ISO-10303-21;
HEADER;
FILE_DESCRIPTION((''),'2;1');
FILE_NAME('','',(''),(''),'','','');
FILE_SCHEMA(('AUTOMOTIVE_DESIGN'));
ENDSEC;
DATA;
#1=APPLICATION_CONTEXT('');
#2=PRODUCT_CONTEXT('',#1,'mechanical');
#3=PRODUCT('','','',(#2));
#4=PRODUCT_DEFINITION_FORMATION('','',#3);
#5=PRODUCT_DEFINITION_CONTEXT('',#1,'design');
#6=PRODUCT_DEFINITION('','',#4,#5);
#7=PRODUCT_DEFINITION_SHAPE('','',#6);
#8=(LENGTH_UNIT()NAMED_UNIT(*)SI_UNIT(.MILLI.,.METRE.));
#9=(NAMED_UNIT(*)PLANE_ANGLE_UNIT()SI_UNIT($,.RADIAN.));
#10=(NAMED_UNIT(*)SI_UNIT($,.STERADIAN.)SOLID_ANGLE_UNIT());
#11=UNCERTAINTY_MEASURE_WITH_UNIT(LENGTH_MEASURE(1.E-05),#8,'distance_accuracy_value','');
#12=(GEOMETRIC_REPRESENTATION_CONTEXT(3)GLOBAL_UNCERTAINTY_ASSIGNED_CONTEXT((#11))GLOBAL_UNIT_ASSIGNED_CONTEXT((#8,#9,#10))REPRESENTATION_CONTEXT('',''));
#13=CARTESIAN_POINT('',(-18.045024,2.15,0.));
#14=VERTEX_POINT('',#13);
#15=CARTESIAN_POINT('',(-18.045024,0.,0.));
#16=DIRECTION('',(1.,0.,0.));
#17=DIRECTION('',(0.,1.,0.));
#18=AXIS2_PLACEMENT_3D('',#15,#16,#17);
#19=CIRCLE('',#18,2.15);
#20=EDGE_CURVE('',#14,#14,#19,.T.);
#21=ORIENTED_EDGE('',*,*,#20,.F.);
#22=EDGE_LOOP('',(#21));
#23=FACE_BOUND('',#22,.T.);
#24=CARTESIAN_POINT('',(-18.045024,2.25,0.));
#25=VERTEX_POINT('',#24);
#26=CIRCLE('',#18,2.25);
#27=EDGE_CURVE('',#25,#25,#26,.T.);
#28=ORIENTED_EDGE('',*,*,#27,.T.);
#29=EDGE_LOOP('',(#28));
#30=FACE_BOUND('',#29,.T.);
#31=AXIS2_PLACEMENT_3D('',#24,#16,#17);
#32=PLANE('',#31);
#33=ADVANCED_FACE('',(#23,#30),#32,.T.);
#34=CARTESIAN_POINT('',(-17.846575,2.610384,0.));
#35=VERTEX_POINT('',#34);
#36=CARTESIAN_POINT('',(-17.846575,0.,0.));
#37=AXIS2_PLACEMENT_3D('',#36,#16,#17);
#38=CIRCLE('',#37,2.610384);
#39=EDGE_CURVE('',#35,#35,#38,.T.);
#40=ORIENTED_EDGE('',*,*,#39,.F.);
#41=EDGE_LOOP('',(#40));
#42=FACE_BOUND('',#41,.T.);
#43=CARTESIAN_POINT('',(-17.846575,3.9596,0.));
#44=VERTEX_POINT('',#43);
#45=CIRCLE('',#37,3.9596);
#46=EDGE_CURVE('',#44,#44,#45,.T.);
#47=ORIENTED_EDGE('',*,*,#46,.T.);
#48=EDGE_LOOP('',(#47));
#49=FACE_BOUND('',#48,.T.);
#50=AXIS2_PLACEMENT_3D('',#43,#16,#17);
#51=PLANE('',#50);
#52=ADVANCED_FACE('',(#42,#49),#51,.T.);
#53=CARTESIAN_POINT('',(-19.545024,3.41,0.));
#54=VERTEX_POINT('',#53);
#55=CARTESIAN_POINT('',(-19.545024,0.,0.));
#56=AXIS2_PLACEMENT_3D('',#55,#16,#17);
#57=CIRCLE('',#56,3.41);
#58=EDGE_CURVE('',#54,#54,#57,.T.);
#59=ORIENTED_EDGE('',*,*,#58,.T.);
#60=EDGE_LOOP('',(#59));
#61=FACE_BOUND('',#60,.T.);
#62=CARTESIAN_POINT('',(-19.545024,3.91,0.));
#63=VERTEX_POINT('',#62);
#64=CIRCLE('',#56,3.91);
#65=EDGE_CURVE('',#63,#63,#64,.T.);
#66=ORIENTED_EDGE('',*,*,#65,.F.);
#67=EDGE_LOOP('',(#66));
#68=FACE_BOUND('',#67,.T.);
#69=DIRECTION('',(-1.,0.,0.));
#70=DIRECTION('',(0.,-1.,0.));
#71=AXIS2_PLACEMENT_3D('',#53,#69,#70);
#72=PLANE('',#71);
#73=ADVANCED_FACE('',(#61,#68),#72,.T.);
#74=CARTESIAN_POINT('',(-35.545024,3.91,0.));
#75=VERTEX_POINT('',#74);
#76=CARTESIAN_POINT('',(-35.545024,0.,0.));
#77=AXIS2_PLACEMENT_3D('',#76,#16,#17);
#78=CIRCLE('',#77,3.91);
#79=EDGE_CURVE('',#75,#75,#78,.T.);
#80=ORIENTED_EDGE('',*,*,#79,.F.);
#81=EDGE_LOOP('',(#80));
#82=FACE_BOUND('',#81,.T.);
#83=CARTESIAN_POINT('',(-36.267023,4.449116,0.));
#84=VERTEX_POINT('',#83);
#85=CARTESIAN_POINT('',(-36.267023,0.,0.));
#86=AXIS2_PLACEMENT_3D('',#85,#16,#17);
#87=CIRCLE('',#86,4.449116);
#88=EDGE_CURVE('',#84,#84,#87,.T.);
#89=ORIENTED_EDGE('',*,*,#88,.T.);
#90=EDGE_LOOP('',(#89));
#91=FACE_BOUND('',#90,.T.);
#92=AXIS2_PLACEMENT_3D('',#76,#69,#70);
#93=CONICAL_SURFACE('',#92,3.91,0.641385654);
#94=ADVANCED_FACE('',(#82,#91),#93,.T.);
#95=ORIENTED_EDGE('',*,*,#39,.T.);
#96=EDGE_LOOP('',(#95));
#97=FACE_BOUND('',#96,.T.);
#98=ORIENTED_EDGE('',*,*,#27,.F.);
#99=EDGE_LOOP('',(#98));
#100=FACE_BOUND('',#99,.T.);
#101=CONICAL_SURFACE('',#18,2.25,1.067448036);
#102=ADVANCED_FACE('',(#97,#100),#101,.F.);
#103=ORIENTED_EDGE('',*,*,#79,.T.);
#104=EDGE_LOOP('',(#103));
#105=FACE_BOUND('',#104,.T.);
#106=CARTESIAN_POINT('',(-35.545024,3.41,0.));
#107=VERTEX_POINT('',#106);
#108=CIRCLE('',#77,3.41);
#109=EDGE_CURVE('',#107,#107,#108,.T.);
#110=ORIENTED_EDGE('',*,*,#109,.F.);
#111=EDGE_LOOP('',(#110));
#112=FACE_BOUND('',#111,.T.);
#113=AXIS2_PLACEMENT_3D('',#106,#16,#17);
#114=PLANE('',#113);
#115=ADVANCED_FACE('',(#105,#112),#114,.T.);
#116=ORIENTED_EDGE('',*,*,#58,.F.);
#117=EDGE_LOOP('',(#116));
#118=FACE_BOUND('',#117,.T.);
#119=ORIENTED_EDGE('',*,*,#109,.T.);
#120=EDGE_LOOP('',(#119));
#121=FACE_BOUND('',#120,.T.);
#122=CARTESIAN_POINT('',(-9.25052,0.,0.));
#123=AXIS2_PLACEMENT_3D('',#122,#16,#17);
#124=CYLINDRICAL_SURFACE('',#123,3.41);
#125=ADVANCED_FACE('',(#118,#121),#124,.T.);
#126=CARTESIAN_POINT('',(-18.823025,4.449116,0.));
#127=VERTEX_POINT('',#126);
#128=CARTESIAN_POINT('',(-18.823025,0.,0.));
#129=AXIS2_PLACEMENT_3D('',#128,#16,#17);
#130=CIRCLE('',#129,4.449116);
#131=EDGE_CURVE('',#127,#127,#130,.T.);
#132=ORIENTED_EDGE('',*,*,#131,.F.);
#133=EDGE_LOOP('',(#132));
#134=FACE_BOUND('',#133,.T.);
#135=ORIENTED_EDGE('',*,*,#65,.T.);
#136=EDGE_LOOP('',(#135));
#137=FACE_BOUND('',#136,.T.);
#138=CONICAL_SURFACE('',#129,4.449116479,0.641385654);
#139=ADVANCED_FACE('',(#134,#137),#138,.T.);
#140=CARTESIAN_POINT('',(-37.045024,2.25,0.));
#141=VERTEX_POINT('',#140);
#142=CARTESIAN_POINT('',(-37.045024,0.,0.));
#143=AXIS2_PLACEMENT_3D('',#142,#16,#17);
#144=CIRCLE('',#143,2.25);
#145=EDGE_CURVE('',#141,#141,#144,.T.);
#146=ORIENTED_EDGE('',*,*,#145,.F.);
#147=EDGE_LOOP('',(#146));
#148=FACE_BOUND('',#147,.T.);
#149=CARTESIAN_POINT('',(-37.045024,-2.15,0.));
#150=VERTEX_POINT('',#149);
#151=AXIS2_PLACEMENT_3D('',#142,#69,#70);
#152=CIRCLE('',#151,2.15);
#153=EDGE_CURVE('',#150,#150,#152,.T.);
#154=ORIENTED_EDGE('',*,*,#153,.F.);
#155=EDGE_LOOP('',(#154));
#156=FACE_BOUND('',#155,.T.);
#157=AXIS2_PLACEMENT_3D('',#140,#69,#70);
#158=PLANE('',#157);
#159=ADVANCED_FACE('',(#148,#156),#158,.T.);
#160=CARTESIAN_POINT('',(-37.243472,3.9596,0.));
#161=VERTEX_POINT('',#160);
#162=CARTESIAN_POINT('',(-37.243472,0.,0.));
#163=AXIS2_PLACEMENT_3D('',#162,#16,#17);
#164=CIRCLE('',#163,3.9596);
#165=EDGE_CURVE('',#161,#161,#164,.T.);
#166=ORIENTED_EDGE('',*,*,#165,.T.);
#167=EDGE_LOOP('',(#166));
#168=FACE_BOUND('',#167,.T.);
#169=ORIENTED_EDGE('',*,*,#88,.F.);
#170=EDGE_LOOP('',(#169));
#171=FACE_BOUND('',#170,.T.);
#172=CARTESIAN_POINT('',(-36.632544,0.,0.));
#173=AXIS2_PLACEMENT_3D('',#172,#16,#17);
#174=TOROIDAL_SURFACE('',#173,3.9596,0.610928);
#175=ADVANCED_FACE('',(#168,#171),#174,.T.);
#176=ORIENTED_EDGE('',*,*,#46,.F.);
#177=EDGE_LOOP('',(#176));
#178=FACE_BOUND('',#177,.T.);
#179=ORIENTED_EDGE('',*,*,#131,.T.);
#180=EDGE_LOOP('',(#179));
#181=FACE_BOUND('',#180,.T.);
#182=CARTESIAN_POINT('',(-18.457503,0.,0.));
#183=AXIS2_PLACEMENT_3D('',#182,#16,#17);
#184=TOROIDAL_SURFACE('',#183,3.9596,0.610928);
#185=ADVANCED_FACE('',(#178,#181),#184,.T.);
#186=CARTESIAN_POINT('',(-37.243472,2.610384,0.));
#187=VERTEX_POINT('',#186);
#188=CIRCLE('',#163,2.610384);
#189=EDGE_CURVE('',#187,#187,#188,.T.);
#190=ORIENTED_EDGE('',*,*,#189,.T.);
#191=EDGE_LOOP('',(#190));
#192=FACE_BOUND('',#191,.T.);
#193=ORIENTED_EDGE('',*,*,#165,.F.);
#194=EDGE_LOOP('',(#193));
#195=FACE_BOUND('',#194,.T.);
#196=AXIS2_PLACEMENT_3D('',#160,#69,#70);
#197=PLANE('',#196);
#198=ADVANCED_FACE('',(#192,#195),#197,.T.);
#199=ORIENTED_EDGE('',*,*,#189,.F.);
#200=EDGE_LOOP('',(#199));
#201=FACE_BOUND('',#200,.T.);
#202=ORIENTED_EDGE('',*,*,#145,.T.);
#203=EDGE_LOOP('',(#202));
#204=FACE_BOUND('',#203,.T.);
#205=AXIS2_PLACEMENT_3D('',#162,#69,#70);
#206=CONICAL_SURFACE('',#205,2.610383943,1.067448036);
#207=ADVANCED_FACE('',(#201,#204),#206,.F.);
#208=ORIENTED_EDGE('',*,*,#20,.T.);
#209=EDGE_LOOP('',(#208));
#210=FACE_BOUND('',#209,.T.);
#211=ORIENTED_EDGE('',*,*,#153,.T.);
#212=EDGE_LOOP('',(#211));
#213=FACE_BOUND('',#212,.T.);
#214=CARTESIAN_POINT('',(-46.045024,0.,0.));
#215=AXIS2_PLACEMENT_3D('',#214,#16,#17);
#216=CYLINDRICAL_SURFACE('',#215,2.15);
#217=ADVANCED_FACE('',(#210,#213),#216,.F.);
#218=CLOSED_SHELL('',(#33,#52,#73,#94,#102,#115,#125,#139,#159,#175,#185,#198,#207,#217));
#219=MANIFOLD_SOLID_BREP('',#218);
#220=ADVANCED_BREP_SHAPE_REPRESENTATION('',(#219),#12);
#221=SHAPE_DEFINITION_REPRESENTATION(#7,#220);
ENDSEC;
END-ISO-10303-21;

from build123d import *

# Parameters (mm, degrees)
SKETCH4_R          = 2.15
CUT_EXTRUDE1_DEPTH = 28


with BuildPart() as part:
    # Sketch1 → Revolve1 (revolve)
    with BuildSketch(Plane.XY):
        with BuildLine():
            Line((-37.045023651, 0), (-18.045023651, 0))
            Line((-18.045023651, 0), (-18.045023651, 2.25))
            Line((-18.045023651, 2.25), (-17.846575332, 2.610383943))
            Line((-17.846575332, 2.610383943), (-17.846575332, 3.959600078))
            ThreePointArc((-17.846575332, 3.959600078), (-18.183709968, 4.505741021), (-18.823024722, 4.449116479))
            Line((-18.823024722, 4.449116479), (-19.545023651, 3.91))
            Line((-19.545023651, 3.91), (-19.545023651, 3.41))
            Line((-19.545023651, 3.41), (-35.545023651, 3.41))
            Line((-35.545023651, 3.41), (-35.545023651, 3.91))
            Line((-35.545023651, 3.91), (-36.267022579, 4.449116479))
            ThreePointArc((-36.267022579, 4.449116479), (-36.906337333, 4.505741021), (-37.24347197, 3.959600078))
            Line((-37.24347197, 3.959600078), (-37.24347197, 2.610383943))
            Line((-37.24347197, 2.610383943), (-37.045023651, 2.25))
            Line((-37.045023651, 2.25), (-37.045023651, 0))
        make_face()
    revolve(axis=Axis((-9.250519902, 0, 0), (-1, 0, 0)))

    # Sketch4 → Cut-Extrude1 (cut)
    with BuildSketch(Plane(origin=(-18.045023651, 0, 0), x_dir=(0, 0, -1), z_dir=(1, 0, 0))):
        with Locations(Location((0, 0, 0), (0, 0, 90))):
            Circle(SKETCH4_R)
    extrude(amount=-CUT_EXTRUDE1_DEPTH, mode=Mode.SUBTRACT)


solid = part.part
